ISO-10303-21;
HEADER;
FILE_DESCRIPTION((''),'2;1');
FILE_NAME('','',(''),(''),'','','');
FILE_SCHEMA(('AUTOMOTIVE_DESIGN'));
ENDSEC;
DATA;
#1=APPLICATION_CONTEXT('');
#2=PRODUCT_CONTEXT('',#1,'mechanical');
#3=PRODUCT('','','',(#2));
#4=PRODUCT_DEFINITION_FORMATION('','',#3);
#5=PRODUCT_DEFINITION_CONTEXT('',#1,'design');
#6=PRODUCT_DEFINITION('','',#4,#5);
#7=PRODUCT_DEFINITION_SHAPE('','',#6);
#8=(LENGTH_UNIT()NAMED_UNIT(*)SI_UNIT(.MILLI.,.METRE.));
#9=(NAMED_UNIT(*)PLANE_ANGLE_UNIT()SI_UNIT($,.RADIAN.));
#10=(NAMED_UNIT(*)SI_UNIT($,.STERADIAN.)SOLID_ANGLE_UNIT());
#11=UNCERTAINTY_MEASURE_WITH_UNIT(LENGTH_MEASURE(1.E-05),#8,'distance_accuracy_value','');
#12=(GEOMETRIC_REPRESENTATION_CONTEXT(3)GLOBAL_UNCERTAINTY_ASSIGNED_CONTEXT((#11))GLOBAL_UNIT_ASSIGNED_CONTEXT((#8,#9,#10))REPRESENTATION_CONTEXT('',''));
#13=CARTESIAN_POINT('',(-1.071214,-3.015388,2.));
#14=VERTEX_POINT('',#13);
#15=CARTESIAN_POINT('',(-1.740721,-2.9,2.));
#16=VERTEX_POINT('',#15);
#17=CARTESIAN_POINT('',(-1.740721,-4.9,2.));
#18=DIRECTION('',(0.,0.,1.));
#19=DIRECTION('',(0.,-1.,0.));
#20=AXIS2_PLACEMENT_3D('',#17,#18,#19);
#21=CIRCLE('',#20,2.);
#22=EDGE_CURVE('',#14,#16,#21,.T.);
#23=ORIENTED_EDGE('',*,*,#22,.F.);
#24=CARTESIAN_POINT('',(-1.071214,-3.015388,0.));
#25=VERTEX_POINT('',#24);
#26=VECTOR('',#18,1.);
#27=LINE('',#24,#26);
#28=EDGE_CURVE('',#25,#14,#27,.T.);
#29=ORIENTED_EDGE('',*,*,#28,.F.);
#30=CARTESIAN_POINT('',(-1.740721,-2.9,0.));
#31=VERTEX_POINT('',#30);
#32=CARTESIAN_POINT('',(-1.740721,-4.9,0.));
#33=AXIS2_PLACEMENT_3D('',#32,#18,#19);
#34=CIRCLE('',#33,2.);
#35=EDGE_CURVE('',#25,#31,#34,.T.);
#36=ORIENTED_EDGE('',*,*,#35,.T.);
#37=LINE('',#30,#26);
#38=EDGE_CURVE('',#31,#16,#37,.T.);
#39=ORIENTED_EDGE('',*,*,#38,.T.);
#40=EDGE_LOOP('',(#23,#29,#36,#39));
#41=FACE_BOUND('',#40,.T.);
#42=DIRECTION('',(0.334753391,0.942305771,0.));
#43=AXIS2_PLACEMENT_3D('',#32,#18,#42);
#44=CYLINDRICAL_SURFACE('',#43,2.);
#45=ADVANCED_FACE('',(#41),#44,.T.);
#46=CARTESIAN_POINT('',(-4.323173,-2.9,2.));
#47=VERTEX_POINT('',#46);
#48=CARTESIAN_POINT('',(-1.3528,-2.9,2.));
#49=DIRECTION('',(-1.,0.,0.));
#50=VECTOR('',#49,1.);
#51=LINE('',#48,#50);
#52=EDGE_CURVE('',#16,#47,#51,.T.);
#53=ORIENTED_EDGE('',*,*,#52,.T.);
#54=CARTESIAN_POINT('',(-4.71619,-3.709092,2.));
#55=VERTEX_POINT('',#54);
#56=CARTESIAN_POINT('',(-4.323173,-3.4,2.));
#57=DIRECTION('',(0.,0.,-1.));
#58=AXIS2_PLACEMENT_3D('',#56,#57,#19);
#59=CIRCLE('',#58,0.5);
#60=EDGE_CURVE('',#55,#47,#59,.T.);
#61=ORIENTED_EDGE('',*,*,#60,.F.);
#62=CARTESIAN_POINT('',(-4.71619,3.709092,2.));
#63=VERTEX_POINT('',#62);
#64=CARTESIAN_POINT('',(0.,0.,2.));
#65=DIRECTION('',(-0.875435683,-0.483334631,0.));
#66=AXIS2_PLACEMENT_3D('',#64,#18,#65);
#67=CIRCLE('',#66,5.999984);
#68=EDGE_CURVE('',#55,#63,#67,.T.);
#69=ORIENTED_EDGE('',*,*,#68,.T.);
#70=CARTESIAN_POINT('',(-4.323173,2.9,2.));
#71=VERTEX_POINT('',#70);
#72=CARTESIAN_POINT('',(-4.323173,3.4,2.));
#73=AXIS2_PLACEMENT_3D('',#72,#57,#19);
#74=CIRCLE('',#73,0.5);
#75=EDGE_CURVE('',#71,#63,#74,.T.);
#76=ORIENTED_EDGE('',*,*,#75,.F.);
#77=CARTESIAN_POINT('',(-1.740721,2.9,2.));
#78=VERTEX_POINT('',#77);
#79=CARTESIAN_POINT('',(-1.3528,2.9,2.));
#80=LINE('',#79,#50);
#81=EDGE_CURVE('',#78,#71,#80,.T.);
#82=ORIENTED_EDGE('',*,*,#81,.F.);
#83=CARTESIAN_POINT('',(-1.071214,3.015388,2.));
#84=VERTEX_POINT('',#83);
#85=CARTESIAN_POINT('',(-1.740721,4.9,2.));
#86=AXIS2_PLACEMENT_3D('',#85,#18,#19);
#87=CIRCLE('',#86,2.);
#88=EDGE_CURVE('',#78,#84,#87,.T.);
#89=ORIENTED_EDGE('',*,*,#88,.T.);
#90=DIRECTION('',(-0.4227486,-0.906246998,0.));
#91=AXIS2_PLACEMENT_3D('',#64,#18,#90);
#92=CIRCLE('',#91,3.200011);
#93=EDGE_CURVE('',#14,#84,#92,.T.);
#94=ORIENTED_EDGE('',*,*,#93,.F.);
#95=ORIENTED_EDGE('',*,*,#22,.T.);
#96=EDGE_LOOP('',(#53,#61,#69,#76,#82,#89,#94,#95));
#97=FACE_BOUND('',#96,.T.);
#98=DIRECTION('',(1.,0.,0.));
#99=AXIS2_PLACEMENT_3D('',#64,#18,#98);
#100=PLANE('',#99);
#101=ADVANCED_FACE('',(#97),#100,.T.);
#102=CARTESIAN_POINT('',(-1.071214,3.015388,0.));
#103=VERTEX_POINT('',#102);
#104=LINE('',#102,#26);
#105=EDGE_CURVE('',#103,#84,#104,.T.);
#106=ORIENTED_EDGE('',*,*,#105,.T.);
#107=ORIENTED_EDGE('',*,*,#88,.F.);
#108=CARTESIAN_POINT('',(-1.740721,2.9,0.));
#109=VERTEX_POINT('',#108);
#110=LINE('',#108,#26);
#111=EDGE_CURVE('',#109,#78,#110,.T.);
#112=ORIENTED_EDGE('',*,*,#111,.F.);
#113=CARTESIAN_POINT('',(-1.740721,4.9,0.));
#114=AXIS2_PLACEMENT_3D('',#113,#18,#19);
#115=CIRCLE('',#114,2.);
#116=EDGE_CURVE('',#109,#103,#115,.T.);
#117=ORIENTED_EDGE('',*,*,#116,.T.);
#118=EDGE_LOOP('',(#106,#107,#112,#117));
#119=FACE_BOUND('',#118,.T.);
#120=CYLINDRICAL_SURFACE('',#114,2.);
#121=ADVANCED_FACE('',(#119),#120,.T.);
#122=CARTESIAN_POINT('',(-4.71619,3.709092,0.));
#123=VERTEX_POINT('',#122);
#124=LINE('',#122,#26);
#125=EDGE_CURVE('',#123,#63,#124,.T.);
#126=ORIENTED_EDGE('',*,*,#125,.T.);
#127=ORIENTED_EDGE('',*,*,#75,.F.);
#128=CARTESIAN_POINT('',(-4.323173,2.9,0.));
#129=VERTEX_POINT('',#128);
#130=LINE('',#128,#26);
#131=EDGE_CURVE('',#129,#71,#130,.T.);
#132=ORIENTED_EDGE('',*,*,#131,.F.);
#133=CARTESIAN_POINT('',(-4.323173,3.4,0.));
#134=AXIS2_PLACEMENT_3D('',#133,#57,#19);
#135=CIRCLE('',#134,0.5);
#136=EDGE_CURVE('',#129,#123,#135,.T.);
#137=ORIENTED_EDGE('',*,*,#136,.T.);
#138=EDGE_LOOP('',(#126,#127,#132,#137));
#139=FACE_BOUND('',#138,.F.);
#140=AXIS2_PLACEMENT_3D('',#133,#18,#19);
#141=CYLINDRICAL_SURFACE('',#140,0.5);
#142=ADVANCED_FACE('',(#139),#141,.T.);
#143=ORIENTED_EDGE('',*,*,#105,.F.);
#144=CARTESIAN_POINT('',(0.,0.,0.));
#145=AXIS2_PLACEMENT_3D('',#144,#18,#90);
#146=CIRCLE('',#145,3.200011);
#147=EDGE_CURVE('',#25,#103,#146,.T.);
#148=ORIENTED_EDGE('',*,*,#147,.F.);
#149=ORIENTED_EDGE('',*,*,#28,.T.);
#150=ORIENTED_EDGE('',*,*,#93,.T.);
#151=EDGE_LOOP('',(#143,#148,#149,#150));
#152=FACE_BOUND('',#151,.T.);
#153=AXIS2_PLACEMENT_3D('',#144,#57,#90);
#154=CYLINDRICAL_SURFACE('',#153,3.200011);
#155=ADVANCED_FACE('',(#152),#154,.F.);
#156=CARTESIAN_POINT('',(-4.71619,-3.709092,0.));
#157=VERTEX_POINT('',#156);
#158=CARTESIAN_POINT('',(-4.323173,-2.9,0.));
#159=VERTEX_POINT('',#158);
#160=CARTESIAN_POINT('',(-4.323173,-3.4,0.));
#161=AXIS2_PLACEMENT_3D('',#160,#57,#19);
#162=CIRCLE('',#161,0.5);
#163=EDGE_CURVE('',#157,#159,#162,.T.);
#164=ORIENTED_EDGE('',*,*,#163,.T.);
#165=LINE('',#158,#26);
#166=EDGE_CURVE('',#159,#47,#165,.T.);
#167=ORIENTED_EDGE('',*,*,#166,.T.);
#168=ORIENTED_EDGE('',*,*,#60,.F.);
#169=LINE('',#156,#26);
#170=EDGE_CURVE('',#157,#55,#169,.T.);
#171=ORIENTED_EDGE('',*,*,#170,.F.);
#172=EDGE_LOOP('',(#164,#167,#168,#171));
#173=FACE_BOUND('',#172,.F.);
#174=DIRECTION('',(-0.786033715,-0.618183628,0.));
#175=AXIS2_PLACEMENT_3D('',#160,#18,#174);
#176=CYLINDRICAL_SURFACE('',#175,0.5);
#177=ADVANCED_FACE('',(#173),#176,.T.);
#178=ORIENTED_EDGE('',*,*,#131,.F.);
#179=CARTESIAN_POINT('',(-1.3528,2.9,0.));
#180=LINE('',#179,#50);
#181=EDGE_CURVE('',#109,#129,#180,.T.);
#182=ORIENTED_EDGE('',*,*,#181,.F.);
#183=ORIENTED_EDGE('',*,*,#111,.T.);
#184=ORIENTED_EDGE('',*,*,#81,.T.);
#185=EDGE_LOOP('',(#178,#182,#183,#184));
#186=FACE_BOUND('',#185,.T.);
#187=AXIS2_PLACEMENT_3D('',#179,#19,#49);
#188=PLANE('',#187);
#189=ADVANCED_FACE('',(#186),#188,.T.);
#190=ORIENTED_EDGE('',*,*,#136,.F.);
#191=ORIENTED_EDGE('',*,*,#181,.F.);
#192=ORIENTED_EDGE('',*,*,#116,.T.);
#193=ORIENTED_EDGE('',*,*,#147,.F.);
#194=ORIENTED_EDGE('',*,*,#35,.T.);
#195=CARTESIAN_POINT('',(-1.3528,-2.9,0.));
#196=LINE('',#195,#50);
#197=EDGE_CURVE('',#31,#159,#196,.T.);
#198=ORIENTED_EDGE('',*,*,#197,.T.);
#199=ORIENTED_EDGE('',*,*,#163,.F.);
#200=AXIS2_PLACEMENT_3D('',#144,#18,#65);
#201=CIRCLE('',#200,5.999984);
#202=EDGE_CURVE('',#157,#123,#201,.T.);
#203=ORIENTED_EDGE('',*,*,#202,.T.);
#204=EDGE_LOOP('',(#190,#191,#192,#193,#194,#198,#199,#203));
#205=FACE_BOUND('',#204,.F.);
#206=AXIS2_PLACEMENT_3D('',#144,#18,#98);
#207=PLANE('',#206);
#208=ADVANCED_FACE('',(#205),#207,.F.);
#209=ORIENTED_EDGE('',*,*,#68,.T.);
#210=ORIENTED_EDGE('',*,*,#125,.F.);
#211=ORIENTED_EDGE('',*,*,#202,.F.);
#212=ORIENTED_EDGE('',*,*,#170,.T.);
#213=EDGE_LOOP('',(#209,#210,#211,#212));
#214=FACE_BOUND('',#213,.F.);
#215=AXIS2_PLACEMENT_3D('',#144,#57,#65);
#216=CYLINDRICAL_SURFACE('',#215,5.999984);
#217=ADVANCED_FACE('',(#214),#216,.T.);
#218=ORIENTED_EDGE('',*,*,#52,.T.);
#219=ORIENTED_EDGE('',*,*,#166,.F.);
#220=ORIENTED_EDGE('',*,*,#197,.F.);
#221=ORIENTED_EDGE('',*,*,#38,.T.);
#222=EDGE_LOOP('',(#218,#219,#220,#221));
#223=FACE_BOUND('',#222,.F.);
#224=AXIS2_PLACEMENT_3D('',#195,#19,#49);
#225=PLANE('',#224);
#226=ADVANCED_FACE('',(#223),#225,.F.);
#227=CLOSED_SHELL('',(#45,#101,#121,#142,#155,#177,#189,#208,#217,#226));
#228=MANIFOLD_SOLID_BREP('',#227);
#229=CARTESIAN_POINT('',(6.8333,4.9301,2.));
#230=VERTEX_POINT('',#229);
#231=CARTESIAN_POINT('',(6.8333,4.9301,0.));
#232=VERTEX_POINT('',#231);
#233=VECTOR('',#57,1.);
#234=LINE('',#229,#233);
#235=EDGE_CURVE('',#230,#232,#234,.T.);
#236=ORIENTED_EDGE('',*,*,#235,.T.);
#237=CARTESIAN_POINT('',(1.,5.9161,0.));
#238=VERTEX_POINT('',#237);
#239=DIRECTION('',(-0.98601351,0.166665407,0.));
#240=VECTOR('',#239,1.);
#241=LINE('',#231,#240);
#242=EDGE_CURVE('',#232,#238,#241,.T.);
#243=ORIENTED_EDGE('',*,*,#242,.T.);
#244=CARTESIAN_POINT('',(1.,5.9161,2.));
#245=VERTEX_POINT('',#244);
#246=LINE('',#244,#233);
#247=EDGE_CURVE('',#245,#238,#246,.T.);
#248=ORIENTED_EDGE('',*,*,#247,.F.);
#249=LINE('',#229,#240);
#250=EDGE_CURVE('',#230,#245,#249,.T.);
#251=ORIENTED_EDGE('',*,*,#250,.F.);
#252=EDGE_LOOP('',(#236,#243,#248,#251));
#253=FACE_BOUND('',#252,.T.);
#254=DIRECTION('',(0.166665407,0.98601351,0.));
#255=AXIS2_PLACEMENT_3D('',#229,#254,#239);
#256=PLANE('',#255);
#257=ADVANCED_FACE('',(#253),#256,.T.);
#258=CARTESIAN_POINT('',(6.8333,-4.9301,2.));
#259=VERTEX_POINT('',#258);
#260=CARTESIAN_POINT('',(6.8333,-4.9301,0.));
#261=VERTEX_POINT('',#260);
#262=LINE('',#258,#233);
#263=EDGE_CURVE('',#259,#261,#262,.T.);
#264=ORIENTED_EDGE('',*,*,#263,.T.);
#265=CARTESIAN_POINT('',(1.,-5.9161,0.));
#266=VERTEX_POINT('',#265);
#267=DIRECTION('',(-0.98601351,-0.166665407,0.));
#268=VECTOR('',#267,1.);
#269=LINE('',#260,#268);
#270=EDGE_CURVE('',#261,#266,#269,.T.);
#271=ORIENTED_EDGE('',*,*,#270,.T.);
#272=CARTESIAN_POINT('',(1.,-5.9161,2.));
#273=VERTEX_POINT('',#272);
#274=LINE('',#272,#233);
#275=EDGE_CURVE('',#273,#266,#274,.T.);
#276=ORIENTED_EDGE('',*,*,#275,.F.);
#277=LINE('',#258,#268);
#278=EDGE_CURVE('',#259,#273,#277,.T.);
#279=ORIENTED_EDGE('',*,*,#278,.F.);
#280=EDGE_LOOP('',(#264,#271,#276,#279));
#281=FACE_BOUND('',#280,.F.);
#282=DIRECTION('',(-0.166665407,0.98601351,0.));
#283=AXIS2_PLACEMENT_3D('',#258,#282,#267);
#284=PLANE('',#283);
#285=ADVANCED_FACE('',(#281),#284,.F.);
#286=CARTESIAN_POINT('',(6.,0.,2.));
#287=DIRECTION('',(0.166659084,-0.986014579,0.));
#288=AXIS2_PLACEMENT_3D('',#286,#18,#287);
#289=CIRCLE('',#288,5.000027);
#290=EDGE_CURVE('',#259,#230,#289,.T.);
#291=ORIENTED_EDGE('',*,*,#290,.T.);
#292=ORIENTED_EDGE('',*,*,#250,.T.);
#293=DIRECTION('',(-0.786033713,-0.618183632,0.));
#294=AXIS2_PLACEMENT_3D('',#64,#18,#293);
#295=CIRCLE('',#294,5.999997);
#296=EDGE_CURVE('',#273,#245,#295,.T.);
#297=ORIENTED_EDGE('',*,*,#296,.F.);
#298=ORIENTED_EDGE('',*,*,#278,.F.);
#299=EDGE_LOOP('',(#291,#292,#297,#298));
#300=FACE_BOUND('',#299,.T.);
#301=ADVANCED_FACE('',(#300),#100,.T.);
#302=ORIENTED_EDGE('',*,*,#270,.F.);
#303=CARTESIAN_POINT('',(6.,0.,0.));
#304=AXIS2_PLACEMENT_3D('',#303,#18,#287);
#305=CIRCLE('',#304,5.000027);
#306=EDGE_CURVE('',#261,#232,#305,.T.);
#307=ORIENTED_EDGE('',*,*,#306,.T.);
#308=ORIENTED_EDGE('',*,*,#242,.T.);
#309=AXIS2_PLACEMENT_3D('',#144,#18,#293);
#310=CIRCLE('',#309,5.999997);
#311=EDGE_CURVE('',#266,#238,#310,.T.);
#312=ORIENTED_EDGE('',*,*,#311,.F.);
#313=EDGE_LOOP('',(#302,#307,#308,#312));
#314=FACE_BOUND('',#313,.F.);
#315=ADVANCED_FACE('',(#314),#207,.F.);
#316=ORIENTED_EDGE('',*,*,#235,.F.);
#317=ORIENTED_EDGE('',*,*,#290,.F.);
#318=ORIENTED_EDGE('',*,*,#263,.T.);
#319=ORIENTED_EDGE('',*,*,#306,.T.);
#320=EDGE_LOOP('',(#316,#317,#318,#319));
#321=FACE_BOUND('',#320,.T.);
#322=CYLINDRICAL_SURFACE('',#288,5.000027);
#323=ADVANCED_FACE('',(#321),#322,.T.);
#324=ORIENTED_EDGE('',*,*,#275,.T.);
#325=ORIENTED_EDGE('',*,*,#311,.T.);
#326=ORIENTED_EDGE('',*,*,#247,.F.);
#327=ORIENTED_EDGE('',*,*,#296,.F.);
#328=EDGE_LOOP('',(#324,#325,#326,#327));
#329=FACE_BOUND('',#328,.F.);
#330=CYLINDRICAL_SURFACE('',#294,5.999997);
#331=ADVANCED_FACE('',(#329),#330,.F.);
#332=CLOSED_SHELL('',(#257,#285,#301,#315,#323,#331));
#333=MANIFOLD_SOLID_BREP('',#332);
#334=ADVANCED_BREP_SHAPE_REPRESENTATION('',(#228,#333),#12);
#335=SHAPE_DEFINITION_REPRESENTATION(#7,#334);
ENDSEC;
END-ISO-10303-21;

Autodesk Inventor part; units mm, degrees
ref_plane "YZ Plane" through (0, 0, 0) normal (1, 0, 0) x (0, 1, 0)
ref_plane "XZ Plane" through (0, 0, 0) normal (0, 1, 0) x (-1, 0, 0)
ref_plane "XY Plane" through (0, 0, 0) normal (0, 0, 1) x (1, 0, 0)
sketch "Sketch1" plane through (0, 0, 0) normal (0, 0, 1) x (1, 0, 0)
  arc A0 (-1.3528, -2.9) -> (-1.3528, 2.9) centre (0, 0) ccw
  arc A1 (-5.2526, -2.9) -> (-5.2526, 2.9) centre (0, 0) ccw
  line L0 (-1.3528, 2.9) -> (-5.2526, 2.9)
  line L1 (-1.3528, -2.9) -> (-5.2526, -2.9)
  dimension "d0" = 6.4
  dimension "d1" = 12
  dimension "d2" = 5.8
  dimension "d3" = 2.9
extrude "Extrusion1" add sketch "Sketch1" along normal blind 2
fillet "Fillet1" radius 0.5 2 edges at (-5.2526, 2.9, 1) (-5.2526, -2.9, 1)
fillet "Fillet2" radius 2 2 edges at (-1.3528, 2.9, 1) (-1.3528, -2.9, 1)
sketch "Sketch2" plane through (0, 0, 2) normal (0, 0, 1) x (1, 0, 0)
  arc A0 (-4.7162, -3.7091) -> (-4.7162, 3.7091) centre (0, 0) ccw projected
  arc A1 (6.8333, -4.9301) -> (6.8333, 4.9301) centre (6, 0) ccw
  line L0 (6.8333, 4.9301) -> (1, 5.9161)
  line L1 (6.8333, -4.9301) -> (1, -5.9161)
  dimension "d8" = 10
extrude "Extrusion2" add sketch "Sketch2" against normal up to surface (2 mm away)
equation "\"d3\" = 0.5 * d2"
properties part number "BowdenConnectorPlayClip"
